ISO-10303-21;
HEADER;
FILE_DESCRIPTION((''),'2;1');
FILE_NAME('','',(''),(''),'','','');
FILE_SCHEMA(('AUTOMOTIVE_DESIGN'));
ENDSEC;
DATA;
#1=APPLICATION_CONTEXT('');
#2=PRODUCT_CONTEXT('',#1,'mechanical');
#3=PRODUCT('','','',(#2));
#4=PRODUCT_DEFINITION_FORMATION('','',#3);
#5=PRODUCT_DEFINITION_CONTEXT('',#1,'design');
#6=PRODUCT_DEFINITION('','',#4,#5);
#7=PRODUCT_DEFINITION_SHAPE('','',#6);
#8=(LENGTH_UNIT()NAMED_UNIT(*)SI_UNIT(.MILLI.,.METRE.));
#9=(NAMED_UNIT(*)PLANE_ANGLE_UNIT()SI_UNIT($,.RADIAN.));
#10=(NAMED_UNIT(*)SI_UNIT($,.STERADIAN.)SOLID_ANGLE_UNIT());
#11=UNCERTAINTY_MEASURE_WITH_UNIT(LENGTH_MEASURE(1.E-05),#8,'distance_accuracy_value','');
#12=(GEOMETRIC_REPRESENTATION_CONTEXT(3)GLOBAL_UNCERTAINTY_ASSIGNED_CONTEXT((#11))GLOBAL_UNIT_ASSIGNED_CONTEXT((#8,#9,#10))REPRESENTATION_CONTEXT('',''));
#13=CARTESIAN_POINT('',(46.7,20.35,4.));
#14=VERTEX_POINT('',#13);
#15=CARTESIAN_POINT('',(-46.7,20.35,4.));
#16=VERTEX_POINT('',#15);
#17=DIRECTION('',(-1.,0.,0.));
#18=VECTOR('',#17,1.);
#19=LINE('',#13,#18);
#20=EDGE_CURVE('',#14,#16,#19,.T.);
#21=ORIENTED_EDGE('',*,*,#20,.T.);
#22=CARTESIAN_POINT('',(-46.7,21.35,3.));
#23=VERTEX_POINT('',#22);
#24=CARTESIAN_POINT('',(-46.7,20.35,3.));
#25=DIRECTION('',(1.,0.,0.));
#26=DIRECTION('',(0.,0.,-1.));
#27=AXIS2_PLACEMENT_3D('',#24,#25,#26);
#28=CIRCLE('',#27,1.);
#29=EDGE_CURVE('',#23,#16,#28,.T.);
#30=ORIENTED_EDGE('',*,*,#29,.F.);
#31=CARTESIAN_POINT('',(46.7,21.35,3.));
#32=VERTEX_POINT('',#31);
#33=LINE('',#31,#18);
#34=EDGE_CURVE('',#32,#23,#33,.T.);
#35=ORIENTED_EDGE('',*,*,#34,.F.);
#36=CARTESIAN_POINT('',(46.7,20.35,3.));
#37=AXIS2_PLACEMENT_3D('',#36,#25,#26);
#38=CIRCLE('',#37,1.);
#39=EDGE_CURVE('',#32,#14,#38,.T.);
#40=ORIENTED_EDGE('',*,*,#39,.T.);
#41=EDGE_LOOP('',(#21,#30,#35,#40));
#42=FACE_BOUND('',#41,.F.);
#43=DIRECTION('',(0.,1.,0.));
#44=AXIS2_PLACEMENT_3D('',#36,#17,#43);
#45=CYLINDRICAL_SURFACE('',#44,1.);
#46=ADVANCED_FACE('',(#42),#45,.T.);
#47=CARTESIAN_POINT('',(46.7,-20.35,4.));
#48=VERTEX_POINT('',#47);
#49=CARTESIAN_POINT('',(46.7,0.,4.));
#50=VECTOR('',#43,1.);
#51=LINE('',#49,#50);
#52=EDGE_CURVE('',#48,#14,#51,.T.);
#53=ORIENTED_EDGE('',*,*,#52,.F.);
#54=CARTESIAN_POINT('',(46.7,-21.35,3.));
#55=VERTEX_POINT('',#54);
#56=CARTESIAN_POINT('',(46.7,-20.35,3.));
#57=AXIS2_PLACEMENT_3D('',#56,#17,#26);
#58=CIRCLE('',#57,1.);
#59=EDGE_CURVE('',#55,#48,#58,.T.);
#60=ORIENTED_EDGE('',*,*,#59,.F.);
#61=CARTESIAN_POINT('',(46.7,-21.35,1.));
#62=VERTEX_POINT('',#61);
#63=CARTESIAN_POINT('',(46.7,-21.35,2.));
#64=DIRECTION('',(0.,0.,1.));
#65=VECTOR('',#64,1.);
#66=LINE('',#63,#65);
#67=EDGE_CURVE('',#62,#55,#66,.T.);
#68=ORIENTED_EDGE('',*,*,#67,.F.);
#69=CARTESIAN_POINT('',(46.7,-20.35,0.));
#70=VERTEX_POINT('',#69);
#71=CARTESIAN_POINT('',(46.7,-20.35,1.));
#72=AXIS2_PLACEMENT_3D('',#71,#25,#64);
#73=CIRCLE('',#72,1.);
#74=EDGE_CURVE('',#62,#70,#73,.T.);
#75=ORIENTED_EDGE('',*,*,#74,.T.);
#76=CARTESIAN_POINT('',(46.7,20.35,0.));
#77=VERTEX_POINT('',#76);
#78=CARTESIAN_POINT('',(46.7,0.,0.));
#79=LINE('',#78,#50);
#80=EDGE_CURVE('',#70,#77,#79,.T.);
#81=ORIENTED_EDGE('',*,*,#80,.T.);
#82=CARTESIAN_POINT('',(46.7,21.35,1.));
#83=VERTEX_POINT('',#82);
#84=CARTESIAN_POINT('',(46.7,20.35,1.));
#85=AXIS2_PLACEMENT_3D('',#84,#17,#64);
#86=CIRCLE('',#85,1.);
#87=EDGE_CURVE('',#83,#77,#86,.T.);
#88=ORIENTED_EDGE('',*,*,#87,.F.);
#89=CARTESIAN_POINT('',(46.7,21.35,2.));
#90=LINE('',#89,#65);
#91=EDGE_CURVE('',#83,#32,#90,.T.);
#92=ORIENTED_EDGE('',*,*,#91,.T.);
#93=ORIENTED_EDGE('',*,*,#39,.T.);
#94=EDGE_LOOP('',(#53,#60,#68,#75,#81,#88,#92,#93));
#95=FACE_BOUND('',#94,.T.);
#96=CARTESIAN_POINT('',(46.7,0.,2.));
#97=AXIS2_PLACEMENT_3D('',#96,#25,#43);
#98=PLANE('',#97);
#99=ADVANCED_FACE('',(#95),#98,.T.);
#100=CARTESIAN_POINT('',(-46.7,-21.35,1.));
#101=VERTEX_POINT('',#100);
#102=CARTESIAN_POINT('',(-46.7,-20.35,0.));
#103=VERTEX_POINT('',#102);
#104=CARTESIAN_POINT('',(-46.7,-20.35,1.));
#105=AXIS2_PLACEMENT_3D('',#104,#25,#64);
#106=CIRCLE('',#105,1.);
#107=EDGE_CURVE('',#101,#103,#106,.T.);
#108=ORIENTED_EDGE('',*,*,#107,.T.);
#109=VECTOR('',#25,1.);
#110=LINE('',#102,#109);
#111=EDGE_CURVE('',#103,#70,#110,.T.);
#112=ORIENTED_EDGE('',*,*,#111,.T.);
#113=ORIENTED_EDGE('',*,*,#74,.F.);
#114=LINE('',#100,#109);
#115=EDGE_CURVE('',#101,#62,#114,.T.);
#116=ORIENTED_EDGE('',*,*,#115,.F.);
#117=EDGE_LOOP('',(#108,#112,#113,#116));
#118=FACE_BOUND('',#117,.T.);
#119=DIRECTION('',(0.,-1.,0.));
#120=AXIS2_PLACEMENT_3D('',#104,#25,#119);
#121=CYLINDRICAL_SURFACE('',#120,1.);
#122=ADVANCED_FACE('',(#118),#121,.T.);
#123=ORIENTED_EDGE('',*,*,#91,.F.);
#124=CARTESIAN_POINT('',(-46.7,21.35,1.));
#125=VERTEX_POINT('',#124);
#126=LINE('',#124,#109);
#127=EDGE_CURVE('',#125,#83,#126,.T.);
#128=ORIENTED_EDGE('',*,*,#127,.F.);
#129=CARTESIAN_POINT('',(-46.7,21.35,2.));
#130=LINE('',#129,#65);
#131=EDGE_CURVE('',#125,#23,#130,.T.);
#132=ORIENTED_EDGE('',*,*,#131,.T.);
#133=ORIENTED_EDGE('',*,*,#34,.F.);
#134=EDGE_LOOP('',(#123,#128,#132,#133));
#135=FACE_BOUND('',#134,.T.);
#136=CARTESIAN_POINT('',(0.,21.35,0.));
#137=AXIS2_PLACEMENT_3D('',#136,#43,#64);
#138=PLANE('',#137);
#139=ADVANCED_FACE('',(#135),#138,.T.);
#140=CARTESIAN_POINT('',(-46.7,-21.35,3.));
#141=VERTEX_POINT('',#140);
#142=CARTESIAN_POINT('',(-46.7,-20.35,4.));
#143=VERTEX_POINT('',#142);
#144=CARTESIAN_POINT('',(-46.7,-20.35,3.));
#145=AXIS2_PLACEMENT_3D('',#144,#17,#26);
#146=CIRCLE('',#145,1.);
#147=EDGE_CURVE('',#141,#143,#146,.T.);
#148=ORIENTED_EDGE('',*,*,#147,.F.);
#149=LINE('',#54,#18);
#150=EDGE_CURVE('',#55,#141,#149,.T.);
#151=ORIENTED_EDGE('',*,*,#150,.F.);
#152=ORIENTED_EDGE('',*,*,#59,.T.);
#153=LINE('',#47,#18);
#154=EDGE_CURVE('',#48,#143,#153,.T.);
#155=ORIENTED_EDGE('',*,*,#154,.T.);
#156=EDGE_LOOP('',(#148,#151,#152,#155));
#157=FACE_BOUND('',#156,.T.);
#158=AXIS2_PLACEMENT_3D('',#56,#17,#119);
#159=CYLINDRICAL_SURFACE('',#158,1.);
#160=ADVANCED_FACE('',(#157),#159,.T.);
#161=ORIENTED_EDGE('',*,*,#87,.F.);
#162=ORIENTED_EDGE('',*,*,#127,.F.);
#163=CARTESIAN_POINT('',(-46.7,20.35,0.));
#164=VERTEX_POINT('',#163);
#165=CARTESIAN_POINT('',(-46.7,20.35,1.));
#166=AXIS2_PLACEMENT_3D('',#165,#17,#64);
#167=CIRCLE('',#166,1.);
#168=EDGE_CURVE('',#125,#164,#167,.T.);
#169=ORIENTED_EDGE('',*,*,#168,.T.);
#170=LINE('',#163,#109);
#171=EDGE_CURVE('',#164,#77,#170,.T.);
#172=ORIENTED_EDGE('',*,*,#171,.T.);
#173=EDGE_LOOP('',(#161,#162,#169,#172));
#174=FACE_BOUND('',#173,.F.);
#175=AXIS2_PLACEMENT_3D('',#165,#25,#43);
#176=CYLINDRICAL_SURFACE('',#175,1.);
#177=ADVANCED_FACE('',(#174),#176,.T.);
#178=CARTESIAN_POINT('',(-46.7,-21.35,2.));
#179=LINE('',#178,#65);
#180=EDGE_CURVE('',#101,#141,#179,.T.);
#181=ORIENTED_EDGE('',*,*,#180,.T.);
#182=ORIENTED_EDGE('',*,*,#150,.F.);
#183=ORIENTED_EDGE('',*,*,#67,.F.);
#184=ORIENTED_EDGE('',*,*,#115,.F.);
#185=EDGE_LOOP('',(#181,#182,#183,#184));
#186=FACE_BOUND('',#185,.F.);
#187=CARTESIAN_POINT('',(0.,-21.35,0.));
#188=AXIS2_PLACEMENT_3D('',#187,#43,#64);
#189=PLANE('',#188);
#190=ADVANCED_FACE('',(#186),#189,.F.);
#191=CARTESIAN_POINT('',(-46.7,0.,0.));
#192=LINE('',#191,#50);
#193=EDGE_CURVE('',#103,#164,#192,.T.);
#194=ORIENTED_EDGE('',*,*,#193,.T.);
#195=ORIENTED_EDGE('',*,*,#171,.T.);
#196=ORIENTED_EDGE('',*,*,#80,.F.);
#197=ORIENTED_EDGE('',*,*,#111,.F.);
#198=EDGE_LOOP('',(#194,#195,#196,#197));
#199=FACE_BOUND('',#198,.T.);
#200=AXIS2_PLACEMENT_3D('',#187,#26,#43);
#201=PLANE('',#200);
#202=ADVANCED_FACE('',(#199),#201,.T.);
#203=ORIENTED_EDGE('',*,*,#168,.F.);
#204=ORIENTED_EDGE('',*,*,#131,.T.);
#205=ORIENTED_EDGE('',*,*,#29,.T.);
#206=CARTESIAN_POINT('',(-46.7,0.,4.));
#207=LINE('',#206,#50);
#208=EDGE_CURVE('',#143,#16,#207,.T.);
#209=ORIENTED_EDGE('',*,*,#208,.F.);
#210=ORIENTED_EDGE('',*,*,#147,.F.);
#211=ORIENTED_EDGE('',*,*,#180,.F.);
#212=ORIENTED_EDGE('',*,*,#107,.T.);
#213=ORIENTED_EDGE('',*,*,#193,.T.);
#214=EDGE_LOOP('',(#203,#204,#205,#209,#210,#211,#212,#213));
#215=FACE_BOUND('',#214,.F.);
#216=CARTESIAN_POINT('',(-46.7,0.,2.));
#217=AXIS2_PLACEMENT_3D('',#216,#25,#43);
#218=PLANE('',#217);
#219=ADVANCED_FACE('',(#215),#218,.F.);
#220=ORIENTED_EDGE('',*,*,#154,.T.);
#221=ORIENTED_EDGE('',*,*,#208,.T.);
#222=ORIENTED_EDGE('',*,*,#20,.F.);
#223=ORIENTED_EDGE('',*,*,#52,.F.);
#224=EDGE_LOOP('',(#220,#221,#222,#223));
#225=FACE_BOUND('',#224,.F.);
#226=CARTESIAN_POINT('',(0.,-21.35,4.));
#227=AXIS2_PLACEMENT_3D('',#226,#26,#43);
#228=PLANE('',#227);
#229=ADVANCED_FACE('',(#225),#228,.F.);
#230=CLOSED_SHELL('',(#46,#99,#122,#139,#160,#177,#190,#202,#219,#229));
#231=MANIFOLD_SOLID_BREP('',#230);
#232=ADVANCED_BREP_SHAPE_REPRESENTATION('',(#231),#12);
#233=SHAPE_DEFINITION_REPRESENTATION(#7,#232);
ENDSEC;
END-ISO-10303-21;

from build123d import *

# Parameters (mm, degrees)
SKETCH_W  = 42.7
SKETCH_H  = 4
PAD_DEPTH = 46.7
FILLET_R  = 1


with BuildPart() as part:
    # Sketch → Pad (new body, symmetric)
    with BuildSketch(Plane.YZ):
        with Locations((0, 2)):
            Rectangle(SKETCH_W, SKETCH_H)
    extrude(amount=PAD_DEPTH, both=True)

    # Fillet
    fillet_edges = [part.edges().sort_by_distance(p)[0] for p in [
        (0, -21.35, 4),
        (0, -21.35, 0),
        (0, 21.35, 0),
        (0, 21.35, 4),
    ]]
    fillet(fillet_edges, radius=FILLET_R)


solid = part.part
